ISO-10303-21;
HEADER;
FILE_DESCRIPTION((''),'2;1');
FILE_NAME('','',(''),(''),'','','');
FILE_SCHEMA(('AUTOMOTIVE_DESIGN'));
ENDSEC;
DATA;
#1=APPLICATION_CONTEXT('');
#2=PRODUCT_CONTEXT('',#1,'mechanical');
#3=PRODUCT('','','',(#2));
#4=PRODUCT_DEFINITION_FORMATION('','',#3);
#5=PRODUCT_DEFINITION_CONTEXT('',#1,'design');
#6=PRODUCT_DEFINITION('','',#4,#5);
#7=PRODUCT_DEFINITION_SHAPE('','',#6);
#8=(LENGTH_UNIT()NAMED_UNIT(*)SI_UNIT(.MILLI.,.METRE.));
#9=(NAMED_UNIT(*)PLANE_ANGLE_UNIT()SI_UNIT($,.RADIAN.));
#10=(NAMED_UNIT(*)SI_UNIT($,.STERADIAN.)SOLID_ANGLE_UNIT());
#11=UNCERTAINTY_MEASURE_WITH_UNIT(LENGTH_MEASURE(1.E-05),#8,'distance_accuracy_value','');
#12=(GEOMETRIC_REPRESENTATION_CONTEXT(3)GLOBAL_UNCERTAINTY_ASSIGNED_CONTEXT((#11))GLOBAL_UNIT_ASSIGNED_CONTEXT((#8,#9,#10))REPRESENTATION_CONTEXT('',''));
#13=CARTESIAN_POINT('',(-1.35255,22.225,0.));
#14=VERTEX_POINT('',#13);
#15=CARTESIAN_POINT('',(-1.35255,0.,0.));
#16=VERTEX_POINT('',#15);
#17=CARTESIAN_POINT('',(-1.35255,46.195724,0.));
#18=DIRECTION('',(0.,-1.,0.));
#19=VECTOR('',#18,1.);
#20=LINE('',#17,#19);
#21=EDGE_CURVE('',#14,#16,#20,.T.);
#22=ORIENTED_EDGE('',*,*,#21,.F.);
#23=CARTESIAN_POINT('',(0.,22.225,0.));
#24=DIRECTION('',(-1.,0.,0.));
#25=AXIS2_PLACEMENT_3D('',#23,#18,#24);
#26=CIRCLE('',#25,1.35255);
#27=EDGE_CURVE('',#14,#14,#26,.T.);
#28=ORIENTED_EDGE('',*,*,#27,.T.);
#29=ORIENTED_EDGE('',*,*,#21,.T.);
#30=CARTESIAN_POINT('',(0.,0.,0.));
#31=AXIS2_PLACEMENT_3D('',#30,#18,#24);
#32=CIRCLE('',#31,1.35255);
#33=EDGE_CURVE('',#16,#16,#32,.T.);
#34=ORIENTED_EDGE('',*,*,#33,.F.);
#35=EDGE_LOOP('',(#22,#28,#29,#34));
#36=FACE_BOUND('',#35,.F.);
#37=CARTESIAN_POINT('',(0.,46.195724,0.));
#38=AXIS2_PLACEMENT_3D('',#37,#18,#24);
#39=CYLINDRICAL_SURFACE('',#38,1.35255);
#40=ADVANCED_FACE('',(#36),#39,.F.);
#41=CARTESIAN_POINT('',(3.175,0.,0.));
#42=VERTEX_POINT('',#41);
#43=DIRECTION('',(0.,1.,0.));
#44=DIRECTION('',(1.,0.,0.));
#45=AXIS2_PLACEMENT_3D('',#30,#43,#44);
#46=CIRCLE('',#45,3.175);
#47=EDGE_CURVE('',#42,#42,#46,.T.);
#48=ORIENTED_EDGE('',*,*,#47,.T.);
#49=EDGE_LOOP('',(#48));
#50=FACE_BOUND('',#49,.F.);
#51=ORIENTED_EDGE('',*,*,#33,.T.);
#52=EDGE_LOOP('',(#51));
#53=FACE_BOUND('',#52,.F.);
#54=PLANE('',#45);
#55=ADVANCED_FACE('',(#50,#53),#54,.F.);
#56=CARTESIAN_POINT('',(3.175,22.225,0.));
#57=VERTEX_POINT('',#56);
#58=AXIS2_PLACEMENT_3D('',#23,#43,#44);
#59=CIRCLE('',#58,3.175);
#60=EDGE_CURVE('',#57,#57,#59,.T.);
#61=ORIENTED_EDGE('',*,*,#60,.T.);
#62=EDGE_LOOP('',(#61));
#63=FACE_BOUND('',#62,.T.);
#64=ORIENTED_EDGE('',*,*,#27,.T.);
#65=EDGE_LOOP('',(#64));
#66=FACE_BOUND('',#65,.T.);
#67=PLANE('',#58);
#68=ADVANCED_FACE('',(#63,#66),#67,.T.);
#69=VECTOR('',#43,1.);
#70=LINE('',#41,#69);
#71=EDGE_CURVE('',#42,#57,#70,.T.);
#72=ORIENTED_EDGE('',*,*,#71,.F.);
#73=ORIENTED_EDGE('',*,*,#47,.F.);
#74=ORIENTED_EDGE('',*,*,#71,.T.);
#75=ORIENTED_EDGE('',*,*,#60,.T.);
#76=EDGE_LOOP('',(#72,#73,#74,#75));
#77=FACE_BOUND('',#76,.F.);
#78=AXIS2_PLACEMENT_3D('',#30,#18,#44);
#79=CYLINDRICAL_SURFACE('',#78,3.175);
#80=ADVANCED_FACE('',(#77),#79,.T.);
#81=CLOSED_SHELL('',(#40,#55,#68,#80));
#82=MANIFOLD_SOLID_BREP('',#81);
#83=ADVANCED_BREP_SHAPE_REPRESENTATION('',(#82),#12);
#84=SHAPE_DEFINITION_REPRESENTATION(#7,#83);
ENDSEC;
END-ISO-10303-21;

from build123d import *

# Parameters (mm, degrees)
SKETCH1_R                 = 3.175
BOSS_EXTRUDE1_DEPTH       = 22.225
TAP_DRILL_FOR_6_32_TAP1_D = 2.7051


with BuildPart() as part:
    # Sketch1 → Boss-Extrude1 (new body)
    with BuildSketch(Plane(origin=(0, 0, 0), x_dir=(1, 0, 0), z_dir=(0, 1, 0))):
        Circle(SKETCH1_R)
    extrude(amount=BOSS_EXTRUDE1_DEPTH)

    # Tap Drill for #6-32 Tap1 (through all)
    with Locations(Plane(origin=(0, 22.225, 0), x_dir=(1, 0, 0), z_dir=(0, 1, 0))):
        with Locations((0, 0)):
            Hole(TAP_DRILL_FOR_6_32_TAP1_D / 2)


solid = part.part
